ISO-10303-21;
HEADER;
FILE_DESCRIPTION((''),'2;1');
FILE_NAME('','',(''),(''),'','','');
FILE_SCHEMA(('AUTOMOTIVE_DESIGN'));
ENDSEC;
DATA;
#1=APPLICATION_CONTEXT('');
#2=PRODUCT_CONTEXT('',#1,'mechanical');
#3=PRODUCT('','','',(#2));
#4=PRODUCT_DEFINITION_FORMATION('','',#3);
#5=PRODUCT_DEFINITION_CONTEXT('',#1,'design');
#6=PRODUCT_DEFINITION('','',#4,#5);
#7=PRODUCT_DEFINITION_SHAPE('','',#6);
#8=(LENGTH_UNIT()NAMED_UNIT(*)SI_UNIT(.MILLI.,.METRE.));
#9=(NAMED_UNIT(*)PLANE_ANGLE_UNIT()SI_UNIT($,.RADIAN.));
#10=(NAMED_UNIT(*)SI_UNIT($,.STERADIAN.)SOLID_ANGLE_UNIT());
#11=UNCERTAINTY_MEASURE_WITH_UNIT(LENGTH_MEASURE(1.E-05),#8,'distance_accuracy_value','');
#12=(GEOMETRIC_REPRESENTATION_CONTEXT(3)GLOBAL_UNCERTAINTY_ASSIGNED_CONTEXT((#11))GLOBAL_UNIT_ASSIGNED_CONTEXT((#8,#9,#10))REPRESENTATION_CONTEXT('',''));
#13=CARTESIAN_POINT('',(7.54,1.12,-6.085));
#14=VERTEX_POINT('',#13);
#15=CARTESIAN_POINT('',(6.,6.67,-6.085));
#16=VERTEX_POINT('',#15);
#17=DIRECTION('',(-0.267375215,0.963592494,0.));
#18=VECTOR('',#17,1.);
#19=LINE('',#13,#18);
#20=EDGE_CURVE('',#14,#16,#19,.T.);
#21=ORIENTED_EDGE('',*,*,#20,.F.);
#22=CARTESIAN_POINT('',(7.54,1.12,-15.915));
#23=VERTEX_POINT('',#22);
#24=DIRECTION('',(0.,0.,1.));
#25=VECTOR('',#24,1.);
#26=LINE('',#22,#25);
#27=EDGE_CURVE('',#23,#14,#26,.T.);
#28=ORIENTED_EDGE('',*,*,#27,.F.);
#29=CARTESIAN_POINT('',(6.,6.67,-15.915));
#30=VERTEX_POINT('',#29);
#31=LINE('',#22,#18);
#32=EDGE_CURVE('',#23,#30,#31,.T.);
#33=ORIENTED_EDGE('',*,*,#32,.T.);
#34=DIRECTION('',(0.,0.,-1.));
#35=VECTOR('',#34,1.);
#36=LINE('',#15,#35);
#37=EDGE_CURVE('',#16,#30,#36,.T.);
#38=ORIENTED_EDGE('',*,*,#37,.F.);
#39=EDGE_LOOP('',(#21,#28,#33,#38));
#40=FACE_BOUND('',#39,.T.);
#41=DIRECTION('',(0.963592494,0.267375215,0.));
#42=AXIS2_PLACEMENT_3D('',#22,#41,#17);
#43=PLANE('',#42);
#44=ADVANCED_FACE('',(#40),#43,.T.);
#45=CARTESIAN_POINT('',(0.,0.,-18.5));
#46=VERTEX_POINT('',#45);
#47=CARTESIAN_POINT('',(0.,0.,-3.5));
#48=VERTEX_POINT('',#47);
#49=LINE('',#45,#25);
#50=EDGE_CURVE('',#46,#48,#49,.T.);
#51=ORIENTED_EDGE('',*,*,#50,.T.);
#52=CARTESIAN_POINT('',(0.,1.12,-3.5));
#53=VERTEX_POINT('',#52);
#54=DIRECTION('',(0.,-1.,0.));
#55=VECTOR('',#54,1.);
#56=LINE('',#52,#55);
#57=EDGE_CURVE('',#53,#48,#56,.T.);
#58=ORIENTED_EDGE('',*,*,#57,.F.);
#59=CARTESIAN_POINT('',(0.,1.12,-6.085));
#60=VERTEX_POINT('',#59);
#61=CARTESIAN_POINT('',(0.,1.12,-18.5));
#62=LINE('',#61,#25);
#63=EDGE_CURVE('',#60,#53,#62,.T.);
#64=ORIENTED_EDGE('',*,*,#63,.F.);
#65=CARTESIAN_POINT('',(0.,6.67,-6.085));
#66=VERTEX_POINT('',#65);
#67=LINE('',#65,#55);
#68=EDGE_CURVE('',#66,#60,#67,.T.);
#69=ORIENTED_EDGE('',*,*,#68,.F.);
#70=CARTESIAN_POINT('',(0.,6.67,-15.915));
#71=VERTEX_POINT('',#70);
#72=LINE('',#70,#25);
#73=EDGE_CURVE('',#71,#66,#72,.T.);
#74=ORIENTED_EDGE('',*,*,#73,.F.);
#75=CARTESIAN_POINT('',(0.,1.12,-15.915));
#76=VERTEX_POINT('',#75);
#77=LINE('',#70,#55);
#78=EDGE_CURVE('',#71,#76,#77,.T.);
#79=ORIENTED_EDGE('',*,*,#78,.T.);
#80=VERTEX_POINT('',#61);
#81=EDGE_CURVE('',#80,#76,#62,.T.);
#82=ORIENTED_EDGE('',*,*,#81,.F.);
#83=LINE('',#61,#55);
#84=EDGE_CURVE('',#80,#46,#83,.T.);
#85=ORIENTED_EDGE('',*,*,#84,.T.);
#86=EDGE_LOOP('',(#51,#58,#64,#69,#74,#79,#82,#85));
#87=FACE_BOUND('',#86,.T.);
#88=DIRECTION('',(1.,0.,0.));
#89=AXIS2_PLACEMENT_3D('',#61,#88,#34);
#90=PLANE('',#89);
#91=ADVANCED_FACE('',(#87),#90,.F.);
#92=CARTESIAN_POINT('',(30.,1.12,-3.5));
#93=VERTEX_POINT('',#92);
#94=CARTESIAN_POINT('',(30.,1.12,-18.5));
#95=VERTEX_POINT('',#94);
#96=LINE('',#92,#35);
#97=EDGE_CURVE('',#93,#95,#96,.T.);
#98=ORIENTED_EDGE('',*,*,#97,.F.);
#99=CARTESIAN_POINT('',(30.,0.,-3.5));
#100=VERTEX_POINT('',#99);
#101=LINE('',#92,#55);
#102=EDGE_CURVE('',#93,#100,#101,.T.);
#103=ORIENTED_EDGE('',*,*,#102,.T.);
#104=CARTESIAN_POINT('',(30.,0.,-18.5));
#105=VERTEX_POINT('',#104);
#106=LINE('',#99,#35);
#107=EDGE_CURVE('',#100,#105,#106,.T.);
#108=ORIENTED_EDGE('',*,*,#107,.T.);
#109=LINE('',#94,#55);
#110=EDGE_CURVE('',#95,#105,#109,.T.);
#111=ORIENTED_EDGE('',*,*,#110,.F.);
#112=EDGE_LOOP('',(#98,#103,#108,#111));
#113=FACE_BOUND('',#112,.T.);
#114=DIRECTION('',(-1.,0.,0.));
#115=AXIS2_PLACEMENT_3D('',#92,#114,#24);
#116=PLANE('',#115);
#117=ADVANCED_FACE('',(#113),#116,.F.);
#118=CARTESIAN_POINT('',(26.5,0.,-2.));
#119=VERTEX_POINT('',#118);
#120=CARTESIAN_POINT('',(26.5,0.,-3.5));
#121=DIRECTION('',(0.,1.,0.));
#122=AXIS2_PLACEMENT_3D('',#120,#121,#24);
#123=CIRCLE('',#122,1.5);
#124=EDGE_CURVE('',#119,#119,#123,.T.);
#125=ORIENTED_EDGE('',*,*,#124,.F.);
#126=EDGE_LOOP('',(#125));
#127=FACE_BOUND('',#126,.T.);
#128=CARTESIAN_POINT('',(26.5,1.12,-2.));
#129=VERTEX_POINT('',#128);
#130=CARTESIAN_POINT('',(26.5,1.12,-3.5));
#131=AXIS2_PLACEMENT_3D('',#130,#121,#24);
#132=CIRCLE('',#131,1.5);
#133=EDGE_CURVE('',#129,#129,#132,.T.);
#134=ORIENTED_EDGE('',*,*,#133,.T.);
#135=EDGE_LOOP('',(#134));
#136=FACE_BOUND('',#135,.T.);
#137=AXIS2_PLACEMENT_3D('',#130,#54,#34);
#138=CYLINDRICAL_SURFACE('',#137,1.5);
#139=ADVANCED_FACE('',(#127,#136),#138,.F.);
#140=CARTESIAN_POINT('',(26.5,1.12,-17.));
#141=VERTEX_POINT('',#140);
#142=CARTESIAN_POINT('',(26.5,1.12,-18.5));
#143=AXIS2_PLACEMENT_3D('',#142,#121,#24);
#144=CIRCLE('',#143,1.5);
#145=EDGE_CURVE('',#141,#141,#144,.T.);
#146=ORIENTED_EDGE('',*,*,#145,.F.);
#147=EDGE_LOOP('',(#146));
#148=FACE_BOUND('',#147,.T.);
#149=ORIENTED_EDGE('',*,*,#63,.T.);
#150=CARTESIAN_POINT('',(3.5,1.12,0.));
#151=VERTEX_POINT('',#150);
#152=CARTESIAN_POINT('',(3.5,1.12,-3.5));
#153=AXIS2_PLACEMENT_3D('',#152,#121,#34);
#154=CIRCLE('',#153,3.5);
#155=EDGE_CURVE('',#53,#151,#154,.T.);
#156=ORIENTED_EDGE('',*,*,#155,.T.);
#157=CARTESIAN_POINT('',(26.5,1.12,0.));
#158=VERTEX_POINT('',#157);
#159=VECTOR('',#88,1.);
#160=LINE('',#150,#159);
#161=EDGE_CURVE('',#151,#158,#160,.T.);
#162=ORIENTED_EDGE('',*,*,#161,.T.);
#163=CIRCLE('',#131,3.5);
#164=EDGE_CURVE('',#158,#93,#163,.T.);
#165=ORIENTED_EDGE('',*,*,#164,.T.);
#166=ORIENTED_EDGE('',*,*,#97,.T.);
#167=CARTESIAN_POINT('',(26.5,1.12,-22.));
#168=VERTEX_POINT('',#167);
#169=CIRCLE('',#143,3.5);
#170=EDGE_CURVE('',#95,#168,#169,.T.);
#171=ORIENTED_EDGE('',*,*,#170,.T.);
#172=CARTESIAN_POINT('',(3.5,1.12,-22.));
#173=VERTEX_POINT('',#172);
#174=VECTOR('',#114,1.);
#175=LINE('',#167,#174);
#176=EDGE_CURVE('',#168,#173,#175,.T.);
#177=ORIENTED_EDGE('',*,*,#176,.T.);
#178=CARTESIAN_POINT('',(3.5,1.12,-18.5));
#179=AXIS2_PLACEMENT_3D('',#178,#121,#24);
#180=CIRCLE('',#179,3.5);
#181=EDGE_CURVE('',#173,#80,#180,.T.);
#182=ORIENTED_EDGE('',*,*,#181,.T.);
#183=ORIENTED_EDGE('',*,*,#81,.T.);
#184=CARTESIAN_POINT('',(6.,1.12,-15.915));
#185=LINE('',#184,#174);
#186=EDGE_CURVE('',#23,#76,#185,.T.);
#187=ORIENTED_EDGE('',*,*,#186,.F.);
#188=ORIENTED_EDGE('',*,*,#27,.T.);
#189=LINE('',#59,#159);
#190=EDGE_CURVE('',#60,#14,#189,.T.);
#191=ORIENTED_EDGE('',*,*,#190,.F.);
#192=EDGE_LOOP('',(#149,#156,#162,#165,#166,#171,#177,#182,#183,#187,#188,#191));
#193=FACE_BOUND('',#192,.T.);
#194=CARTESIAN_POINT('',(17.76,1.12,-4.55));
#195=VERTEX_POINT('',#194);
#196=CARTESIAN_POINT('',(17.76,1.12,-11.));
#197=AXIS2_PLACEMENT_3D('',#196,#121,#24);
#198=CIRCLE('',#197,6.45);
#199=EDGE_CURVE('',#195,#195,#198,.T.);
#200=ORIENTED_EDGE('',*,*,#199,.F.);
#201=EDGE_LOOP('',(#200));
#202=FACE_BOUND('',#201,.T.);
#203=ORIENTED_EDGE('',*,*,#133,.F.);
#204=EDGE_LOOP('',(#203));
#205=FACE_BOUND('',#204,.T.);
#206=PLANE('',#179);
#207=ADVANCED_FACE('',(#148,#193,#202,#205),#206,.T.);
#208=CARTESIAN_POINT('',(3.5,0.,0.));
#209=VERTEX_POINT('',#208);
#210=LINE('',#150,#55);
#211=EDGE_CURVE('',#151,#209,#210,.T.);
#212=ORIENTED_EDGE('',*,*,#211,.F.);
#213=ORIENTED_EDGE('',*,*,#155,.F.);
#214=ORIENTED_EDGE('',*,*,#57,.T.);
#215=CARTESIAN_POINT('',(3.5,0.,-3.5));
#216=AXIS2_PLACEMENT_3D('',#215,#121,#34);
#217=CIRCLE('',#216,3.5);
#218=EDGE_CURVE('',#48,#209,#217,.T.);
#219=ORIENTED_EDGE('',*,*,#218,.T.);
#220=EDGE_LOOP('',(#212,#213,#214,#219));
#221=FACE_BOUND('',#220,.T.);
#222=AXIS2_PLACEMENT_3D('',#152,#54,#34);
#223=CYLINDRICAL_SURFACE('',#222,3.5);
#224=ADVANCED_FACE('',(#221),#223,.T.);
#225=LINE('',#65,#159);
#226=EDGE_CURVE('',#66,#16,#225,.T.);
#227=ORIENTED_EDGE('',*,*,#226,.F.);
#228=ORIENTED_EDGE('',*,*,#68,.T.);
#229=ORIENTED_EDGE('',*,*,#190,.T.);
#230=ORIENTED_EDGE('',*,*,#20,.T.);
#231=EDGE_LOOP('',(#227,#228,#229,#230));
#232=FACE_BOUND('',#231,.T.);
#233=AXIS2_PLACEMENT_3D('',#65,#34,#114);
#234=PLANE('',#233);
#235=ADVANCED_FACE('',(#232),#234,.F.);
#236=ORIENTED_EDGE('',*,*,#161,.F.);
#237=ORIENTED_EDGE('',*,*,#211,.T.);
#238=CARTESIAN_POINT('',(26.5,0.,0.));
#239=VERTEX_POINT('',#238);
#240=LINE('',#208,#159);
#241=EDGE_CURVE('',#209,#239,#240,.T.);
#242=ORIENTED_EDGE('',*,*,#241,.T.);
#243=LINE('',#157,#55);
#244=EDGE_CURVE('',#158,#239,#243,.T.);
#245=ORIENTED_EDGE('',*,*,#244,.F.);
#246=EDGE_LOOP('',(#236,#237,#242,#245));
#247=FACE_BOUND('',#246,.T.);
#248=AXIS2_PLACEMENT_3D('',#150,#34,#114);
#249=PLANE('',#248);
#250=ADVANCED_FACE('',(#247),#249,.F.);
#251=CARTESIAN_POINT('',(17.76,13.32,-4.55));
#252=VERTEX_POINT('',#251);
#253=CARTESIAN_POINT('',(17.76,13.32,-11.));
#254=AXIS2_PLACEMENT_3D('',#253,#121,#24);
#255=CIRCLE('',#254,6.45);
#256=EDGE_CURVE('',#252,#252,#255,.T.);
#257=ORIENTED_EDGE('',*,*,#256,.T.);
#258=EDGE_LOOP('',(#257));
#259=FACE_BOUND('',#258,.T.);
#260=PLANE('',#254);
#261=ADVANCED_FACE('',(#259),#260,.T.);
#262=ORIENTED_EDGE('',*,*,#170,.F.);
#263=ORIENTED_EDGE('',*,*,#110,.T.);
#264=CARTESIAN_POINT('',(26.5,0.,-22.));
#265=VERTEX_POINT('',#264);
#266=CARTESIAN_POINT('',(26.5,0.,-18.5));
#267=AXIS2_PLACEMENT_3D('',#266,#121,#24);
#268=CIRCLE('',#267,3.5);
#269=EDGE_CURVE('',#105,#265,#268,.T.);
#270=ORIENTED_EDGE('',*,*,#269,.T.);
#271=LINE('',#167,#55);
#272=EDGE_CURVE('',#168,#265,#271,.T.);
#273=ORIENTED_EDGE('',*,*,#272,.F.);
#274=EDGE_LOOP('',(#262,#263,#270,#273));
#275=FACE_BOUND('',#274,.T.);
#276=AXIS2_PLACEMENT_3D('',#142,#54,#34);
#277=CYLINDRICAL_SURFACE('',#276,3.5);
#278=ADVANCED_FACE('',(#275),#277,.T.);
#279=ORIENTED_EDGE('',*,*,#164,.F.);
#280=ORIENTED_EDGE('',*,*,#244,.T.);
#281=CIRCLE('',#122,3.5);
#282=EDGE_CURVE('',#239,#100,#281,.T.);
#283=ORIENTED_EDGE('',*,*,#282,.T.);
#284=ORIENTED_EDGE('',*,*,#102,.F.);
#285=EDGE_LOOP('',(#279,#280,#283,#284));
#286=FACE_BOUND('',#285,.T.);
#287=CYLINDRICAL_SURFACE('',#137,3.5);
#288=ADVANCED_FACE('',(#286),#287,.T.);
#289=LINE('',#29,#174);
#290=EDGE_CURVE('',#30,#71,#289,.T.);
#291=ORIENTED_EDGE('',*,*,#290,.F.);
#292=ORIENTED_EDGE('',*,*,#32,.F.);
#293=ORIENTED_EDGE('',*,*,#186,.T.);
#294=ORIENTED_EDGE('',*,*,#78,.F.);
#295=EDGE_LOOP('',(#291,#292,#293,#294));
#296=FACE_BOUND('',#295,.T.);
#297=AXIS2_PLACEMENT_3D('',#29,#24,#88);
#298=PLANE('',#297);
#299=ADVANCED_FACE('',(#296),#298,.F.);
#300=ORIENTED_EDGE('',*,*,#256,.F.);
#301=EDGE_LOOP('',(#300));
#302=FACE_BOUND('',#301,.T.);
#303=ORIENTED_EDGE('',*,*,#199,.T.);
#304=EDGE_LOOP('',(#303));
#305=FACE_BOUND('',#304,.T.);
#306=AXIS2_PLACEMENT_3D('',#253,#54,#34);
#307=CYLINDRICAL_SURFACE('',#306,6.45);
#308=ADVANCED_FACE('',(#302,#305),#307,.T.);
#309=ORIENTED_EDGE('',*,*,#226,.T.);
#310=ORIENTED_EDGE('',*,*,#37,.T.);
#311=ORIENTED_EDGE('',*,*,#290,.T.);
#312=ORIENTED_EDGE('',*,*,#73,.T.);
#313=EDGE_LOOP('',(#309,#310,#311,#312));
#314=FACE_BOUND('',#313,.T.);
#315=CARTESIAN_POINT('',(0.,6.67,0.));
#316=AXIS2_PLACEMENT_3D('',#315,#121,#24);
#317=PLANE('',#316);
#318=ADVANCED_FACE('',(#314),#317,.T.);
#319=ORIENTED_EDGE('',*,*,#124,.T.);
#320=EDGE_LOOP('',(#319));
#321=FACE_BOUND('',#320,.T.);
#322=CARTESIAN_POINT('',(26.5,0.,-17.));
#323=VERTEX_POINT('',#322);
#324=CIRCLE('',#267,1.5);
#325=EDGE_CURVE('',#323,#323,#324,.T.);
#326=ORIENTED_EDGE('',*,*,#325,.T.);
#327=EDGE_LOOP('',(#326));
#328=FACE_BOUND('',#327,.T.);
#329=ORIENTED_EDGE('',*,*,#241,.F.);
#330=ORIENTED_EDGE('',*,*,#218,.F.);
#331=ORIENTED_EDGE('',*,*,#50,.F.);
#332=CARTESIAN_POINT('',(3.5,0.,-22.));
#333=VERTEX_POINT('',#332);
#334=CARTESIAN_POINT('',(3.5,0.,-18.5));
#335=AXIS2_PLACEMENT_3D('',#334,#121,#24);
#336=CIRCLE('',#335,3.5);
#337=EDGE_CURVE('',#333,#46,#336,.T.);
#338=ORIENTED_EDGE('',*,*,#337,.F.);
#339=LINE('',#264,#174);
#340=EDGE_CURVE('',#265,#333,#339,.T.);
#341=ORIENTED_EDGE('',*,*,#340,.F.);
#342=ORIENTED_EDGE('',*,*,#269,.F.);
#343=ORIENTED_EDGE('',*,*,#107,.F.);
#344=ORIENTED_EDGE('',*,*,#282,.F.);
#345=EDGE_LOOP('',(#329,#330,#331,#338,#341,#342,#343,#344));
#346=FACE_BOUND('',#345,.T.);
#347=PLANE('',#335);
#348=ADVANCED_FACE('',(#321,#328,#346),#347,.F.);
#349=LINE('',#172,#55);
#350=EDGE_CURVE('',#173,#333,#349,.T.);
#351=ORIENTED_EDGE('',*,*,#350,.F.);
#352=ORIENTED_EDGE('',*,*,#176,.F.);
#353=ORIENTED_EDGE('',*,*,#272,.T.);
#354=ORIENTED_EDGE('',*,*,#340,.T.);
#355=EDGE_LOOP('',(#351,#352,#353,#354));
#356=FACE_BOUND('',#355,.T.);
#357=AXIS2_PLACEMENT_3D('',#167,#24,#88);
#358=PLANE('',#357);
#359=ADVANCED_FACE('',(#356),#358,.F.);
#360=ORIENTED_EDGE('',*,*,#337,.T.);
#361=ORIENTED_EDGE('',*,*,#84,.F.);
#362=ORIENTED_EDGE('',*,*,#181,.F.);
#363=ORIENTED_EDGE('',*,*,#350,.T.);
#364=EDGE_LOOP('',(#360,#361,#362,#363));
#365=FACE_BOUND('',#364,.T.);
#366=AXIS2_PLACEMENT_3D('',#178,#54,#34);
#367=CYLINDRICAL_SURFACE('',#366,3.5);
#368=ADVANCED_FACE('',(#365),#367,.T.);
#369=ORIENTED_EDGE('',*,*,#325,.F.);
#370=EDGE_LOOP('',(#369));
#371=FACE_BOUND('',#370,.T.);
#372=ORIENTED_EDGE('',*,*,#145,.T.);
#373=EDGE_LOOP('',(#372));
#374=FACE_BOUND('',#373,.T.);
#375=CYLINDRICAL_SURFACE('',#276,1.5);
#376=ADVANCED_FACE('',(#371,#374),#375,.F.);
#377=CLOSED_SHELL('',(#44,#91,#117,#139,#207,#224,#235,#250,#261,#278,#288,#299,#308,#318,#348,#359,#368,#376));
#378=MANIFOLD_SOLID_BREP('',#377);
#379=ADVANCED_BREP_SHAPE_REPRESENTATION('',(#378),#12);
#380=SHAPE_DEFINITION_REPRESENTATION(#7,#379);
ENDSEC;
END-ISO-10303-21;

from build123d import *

# Parameters (mm, degrees)
SKETCH1_R           = 1.5
BOSS_EXTRUDE1_DEPTH = 1.12
SKETCH2_W           = 6
SKETCH2_H           = 9.83
BOSS_EXTRUDE2_DEPTH = 5.55
BOSS_EXTRUDE3_DEPTH = 9.83
SKETCH4_R           = 6.45
BOSS_EXTRUDE4_DEPTH = 12.2


with BuildPart() as part:
    # Sketch1 → Boss-Extrude1 (new body)
    with BuildSketch(Plane(origin=(0, 0, 0), x_dir=(1, 0, 0), z_dir=(0, 1, 0))):
        with BuildLine():
            Line((3.5, 0), (26.5, 0))
            ThreePointArc((26.5, 0), (28.974873734, 1.025126266), (30, 3.5))
            Line((30, 3.5), (30, 18.5))
            ThreePointArc((30, 18.5), (28.974873734, 20.974873734), (26.5, 22))
            Line((26.5, 22), (3.5, 22))
            ThreePointArc((3.5, 22), (1.025126266, 20.974873734), (0, 18.5))
            Line((0, 18.5), (0, 3.5))
            ThreePointArc((0, 3.5), (1.025126266, 1.025126266), (3.5, 0))
        make_face()
        with Locations(Location((26.5, 18.5, 0), (0, 0, 270))):
            Circle(SKETCH1_R, mode=Mode.SUBTRACT)
        with Locations(Location((26.5, 3.5, 0), (0, 0, 270))):
            Circle(SKETCH1_R, mode=Mode.SUBTRACT)
    extrude(amount=BOSS_EXTRUDE1_DEPTH)

    # Sketch2 → Boss-Extrude2 (add)
    with BuildSketch(Plane(origin=(0, 1.12, 0), x_dir=(1, 0, 0), z_dir=(0, 1, 0))):
        with Locations((3, 11)):
            Rectangle(SKETCH2_W, SKETCH2_H)
    extrude(amount=BOSS_EXTRUDE2_DEPTH)

    # Sketch3 → Boss-Extrude3 (add)
    with BuildSketch(Plane.XY.offset(-6.085)):
        Polygon((0, 1.12), (7.54, 1.12), (6, 6.67), (0, 6.67), align=None)
    extrude(amount=-BOSS_EXTRUDE3_DEPTH)

    # Sketch4 → Boss-Extrude4 (add)
    with BuildSketch(Plane(origin=(0, 1.12, 0), x_dir=(1, 0, 0), z_dir=(0, 1, 0))):
        with Locations(Location((17.76, 11, 0), (0, 0, 270))):
            Circle(SKETCH4_R)
    extrude(amount=BOSS_EXTRUDE4_DEPTH)


solid = part.part
